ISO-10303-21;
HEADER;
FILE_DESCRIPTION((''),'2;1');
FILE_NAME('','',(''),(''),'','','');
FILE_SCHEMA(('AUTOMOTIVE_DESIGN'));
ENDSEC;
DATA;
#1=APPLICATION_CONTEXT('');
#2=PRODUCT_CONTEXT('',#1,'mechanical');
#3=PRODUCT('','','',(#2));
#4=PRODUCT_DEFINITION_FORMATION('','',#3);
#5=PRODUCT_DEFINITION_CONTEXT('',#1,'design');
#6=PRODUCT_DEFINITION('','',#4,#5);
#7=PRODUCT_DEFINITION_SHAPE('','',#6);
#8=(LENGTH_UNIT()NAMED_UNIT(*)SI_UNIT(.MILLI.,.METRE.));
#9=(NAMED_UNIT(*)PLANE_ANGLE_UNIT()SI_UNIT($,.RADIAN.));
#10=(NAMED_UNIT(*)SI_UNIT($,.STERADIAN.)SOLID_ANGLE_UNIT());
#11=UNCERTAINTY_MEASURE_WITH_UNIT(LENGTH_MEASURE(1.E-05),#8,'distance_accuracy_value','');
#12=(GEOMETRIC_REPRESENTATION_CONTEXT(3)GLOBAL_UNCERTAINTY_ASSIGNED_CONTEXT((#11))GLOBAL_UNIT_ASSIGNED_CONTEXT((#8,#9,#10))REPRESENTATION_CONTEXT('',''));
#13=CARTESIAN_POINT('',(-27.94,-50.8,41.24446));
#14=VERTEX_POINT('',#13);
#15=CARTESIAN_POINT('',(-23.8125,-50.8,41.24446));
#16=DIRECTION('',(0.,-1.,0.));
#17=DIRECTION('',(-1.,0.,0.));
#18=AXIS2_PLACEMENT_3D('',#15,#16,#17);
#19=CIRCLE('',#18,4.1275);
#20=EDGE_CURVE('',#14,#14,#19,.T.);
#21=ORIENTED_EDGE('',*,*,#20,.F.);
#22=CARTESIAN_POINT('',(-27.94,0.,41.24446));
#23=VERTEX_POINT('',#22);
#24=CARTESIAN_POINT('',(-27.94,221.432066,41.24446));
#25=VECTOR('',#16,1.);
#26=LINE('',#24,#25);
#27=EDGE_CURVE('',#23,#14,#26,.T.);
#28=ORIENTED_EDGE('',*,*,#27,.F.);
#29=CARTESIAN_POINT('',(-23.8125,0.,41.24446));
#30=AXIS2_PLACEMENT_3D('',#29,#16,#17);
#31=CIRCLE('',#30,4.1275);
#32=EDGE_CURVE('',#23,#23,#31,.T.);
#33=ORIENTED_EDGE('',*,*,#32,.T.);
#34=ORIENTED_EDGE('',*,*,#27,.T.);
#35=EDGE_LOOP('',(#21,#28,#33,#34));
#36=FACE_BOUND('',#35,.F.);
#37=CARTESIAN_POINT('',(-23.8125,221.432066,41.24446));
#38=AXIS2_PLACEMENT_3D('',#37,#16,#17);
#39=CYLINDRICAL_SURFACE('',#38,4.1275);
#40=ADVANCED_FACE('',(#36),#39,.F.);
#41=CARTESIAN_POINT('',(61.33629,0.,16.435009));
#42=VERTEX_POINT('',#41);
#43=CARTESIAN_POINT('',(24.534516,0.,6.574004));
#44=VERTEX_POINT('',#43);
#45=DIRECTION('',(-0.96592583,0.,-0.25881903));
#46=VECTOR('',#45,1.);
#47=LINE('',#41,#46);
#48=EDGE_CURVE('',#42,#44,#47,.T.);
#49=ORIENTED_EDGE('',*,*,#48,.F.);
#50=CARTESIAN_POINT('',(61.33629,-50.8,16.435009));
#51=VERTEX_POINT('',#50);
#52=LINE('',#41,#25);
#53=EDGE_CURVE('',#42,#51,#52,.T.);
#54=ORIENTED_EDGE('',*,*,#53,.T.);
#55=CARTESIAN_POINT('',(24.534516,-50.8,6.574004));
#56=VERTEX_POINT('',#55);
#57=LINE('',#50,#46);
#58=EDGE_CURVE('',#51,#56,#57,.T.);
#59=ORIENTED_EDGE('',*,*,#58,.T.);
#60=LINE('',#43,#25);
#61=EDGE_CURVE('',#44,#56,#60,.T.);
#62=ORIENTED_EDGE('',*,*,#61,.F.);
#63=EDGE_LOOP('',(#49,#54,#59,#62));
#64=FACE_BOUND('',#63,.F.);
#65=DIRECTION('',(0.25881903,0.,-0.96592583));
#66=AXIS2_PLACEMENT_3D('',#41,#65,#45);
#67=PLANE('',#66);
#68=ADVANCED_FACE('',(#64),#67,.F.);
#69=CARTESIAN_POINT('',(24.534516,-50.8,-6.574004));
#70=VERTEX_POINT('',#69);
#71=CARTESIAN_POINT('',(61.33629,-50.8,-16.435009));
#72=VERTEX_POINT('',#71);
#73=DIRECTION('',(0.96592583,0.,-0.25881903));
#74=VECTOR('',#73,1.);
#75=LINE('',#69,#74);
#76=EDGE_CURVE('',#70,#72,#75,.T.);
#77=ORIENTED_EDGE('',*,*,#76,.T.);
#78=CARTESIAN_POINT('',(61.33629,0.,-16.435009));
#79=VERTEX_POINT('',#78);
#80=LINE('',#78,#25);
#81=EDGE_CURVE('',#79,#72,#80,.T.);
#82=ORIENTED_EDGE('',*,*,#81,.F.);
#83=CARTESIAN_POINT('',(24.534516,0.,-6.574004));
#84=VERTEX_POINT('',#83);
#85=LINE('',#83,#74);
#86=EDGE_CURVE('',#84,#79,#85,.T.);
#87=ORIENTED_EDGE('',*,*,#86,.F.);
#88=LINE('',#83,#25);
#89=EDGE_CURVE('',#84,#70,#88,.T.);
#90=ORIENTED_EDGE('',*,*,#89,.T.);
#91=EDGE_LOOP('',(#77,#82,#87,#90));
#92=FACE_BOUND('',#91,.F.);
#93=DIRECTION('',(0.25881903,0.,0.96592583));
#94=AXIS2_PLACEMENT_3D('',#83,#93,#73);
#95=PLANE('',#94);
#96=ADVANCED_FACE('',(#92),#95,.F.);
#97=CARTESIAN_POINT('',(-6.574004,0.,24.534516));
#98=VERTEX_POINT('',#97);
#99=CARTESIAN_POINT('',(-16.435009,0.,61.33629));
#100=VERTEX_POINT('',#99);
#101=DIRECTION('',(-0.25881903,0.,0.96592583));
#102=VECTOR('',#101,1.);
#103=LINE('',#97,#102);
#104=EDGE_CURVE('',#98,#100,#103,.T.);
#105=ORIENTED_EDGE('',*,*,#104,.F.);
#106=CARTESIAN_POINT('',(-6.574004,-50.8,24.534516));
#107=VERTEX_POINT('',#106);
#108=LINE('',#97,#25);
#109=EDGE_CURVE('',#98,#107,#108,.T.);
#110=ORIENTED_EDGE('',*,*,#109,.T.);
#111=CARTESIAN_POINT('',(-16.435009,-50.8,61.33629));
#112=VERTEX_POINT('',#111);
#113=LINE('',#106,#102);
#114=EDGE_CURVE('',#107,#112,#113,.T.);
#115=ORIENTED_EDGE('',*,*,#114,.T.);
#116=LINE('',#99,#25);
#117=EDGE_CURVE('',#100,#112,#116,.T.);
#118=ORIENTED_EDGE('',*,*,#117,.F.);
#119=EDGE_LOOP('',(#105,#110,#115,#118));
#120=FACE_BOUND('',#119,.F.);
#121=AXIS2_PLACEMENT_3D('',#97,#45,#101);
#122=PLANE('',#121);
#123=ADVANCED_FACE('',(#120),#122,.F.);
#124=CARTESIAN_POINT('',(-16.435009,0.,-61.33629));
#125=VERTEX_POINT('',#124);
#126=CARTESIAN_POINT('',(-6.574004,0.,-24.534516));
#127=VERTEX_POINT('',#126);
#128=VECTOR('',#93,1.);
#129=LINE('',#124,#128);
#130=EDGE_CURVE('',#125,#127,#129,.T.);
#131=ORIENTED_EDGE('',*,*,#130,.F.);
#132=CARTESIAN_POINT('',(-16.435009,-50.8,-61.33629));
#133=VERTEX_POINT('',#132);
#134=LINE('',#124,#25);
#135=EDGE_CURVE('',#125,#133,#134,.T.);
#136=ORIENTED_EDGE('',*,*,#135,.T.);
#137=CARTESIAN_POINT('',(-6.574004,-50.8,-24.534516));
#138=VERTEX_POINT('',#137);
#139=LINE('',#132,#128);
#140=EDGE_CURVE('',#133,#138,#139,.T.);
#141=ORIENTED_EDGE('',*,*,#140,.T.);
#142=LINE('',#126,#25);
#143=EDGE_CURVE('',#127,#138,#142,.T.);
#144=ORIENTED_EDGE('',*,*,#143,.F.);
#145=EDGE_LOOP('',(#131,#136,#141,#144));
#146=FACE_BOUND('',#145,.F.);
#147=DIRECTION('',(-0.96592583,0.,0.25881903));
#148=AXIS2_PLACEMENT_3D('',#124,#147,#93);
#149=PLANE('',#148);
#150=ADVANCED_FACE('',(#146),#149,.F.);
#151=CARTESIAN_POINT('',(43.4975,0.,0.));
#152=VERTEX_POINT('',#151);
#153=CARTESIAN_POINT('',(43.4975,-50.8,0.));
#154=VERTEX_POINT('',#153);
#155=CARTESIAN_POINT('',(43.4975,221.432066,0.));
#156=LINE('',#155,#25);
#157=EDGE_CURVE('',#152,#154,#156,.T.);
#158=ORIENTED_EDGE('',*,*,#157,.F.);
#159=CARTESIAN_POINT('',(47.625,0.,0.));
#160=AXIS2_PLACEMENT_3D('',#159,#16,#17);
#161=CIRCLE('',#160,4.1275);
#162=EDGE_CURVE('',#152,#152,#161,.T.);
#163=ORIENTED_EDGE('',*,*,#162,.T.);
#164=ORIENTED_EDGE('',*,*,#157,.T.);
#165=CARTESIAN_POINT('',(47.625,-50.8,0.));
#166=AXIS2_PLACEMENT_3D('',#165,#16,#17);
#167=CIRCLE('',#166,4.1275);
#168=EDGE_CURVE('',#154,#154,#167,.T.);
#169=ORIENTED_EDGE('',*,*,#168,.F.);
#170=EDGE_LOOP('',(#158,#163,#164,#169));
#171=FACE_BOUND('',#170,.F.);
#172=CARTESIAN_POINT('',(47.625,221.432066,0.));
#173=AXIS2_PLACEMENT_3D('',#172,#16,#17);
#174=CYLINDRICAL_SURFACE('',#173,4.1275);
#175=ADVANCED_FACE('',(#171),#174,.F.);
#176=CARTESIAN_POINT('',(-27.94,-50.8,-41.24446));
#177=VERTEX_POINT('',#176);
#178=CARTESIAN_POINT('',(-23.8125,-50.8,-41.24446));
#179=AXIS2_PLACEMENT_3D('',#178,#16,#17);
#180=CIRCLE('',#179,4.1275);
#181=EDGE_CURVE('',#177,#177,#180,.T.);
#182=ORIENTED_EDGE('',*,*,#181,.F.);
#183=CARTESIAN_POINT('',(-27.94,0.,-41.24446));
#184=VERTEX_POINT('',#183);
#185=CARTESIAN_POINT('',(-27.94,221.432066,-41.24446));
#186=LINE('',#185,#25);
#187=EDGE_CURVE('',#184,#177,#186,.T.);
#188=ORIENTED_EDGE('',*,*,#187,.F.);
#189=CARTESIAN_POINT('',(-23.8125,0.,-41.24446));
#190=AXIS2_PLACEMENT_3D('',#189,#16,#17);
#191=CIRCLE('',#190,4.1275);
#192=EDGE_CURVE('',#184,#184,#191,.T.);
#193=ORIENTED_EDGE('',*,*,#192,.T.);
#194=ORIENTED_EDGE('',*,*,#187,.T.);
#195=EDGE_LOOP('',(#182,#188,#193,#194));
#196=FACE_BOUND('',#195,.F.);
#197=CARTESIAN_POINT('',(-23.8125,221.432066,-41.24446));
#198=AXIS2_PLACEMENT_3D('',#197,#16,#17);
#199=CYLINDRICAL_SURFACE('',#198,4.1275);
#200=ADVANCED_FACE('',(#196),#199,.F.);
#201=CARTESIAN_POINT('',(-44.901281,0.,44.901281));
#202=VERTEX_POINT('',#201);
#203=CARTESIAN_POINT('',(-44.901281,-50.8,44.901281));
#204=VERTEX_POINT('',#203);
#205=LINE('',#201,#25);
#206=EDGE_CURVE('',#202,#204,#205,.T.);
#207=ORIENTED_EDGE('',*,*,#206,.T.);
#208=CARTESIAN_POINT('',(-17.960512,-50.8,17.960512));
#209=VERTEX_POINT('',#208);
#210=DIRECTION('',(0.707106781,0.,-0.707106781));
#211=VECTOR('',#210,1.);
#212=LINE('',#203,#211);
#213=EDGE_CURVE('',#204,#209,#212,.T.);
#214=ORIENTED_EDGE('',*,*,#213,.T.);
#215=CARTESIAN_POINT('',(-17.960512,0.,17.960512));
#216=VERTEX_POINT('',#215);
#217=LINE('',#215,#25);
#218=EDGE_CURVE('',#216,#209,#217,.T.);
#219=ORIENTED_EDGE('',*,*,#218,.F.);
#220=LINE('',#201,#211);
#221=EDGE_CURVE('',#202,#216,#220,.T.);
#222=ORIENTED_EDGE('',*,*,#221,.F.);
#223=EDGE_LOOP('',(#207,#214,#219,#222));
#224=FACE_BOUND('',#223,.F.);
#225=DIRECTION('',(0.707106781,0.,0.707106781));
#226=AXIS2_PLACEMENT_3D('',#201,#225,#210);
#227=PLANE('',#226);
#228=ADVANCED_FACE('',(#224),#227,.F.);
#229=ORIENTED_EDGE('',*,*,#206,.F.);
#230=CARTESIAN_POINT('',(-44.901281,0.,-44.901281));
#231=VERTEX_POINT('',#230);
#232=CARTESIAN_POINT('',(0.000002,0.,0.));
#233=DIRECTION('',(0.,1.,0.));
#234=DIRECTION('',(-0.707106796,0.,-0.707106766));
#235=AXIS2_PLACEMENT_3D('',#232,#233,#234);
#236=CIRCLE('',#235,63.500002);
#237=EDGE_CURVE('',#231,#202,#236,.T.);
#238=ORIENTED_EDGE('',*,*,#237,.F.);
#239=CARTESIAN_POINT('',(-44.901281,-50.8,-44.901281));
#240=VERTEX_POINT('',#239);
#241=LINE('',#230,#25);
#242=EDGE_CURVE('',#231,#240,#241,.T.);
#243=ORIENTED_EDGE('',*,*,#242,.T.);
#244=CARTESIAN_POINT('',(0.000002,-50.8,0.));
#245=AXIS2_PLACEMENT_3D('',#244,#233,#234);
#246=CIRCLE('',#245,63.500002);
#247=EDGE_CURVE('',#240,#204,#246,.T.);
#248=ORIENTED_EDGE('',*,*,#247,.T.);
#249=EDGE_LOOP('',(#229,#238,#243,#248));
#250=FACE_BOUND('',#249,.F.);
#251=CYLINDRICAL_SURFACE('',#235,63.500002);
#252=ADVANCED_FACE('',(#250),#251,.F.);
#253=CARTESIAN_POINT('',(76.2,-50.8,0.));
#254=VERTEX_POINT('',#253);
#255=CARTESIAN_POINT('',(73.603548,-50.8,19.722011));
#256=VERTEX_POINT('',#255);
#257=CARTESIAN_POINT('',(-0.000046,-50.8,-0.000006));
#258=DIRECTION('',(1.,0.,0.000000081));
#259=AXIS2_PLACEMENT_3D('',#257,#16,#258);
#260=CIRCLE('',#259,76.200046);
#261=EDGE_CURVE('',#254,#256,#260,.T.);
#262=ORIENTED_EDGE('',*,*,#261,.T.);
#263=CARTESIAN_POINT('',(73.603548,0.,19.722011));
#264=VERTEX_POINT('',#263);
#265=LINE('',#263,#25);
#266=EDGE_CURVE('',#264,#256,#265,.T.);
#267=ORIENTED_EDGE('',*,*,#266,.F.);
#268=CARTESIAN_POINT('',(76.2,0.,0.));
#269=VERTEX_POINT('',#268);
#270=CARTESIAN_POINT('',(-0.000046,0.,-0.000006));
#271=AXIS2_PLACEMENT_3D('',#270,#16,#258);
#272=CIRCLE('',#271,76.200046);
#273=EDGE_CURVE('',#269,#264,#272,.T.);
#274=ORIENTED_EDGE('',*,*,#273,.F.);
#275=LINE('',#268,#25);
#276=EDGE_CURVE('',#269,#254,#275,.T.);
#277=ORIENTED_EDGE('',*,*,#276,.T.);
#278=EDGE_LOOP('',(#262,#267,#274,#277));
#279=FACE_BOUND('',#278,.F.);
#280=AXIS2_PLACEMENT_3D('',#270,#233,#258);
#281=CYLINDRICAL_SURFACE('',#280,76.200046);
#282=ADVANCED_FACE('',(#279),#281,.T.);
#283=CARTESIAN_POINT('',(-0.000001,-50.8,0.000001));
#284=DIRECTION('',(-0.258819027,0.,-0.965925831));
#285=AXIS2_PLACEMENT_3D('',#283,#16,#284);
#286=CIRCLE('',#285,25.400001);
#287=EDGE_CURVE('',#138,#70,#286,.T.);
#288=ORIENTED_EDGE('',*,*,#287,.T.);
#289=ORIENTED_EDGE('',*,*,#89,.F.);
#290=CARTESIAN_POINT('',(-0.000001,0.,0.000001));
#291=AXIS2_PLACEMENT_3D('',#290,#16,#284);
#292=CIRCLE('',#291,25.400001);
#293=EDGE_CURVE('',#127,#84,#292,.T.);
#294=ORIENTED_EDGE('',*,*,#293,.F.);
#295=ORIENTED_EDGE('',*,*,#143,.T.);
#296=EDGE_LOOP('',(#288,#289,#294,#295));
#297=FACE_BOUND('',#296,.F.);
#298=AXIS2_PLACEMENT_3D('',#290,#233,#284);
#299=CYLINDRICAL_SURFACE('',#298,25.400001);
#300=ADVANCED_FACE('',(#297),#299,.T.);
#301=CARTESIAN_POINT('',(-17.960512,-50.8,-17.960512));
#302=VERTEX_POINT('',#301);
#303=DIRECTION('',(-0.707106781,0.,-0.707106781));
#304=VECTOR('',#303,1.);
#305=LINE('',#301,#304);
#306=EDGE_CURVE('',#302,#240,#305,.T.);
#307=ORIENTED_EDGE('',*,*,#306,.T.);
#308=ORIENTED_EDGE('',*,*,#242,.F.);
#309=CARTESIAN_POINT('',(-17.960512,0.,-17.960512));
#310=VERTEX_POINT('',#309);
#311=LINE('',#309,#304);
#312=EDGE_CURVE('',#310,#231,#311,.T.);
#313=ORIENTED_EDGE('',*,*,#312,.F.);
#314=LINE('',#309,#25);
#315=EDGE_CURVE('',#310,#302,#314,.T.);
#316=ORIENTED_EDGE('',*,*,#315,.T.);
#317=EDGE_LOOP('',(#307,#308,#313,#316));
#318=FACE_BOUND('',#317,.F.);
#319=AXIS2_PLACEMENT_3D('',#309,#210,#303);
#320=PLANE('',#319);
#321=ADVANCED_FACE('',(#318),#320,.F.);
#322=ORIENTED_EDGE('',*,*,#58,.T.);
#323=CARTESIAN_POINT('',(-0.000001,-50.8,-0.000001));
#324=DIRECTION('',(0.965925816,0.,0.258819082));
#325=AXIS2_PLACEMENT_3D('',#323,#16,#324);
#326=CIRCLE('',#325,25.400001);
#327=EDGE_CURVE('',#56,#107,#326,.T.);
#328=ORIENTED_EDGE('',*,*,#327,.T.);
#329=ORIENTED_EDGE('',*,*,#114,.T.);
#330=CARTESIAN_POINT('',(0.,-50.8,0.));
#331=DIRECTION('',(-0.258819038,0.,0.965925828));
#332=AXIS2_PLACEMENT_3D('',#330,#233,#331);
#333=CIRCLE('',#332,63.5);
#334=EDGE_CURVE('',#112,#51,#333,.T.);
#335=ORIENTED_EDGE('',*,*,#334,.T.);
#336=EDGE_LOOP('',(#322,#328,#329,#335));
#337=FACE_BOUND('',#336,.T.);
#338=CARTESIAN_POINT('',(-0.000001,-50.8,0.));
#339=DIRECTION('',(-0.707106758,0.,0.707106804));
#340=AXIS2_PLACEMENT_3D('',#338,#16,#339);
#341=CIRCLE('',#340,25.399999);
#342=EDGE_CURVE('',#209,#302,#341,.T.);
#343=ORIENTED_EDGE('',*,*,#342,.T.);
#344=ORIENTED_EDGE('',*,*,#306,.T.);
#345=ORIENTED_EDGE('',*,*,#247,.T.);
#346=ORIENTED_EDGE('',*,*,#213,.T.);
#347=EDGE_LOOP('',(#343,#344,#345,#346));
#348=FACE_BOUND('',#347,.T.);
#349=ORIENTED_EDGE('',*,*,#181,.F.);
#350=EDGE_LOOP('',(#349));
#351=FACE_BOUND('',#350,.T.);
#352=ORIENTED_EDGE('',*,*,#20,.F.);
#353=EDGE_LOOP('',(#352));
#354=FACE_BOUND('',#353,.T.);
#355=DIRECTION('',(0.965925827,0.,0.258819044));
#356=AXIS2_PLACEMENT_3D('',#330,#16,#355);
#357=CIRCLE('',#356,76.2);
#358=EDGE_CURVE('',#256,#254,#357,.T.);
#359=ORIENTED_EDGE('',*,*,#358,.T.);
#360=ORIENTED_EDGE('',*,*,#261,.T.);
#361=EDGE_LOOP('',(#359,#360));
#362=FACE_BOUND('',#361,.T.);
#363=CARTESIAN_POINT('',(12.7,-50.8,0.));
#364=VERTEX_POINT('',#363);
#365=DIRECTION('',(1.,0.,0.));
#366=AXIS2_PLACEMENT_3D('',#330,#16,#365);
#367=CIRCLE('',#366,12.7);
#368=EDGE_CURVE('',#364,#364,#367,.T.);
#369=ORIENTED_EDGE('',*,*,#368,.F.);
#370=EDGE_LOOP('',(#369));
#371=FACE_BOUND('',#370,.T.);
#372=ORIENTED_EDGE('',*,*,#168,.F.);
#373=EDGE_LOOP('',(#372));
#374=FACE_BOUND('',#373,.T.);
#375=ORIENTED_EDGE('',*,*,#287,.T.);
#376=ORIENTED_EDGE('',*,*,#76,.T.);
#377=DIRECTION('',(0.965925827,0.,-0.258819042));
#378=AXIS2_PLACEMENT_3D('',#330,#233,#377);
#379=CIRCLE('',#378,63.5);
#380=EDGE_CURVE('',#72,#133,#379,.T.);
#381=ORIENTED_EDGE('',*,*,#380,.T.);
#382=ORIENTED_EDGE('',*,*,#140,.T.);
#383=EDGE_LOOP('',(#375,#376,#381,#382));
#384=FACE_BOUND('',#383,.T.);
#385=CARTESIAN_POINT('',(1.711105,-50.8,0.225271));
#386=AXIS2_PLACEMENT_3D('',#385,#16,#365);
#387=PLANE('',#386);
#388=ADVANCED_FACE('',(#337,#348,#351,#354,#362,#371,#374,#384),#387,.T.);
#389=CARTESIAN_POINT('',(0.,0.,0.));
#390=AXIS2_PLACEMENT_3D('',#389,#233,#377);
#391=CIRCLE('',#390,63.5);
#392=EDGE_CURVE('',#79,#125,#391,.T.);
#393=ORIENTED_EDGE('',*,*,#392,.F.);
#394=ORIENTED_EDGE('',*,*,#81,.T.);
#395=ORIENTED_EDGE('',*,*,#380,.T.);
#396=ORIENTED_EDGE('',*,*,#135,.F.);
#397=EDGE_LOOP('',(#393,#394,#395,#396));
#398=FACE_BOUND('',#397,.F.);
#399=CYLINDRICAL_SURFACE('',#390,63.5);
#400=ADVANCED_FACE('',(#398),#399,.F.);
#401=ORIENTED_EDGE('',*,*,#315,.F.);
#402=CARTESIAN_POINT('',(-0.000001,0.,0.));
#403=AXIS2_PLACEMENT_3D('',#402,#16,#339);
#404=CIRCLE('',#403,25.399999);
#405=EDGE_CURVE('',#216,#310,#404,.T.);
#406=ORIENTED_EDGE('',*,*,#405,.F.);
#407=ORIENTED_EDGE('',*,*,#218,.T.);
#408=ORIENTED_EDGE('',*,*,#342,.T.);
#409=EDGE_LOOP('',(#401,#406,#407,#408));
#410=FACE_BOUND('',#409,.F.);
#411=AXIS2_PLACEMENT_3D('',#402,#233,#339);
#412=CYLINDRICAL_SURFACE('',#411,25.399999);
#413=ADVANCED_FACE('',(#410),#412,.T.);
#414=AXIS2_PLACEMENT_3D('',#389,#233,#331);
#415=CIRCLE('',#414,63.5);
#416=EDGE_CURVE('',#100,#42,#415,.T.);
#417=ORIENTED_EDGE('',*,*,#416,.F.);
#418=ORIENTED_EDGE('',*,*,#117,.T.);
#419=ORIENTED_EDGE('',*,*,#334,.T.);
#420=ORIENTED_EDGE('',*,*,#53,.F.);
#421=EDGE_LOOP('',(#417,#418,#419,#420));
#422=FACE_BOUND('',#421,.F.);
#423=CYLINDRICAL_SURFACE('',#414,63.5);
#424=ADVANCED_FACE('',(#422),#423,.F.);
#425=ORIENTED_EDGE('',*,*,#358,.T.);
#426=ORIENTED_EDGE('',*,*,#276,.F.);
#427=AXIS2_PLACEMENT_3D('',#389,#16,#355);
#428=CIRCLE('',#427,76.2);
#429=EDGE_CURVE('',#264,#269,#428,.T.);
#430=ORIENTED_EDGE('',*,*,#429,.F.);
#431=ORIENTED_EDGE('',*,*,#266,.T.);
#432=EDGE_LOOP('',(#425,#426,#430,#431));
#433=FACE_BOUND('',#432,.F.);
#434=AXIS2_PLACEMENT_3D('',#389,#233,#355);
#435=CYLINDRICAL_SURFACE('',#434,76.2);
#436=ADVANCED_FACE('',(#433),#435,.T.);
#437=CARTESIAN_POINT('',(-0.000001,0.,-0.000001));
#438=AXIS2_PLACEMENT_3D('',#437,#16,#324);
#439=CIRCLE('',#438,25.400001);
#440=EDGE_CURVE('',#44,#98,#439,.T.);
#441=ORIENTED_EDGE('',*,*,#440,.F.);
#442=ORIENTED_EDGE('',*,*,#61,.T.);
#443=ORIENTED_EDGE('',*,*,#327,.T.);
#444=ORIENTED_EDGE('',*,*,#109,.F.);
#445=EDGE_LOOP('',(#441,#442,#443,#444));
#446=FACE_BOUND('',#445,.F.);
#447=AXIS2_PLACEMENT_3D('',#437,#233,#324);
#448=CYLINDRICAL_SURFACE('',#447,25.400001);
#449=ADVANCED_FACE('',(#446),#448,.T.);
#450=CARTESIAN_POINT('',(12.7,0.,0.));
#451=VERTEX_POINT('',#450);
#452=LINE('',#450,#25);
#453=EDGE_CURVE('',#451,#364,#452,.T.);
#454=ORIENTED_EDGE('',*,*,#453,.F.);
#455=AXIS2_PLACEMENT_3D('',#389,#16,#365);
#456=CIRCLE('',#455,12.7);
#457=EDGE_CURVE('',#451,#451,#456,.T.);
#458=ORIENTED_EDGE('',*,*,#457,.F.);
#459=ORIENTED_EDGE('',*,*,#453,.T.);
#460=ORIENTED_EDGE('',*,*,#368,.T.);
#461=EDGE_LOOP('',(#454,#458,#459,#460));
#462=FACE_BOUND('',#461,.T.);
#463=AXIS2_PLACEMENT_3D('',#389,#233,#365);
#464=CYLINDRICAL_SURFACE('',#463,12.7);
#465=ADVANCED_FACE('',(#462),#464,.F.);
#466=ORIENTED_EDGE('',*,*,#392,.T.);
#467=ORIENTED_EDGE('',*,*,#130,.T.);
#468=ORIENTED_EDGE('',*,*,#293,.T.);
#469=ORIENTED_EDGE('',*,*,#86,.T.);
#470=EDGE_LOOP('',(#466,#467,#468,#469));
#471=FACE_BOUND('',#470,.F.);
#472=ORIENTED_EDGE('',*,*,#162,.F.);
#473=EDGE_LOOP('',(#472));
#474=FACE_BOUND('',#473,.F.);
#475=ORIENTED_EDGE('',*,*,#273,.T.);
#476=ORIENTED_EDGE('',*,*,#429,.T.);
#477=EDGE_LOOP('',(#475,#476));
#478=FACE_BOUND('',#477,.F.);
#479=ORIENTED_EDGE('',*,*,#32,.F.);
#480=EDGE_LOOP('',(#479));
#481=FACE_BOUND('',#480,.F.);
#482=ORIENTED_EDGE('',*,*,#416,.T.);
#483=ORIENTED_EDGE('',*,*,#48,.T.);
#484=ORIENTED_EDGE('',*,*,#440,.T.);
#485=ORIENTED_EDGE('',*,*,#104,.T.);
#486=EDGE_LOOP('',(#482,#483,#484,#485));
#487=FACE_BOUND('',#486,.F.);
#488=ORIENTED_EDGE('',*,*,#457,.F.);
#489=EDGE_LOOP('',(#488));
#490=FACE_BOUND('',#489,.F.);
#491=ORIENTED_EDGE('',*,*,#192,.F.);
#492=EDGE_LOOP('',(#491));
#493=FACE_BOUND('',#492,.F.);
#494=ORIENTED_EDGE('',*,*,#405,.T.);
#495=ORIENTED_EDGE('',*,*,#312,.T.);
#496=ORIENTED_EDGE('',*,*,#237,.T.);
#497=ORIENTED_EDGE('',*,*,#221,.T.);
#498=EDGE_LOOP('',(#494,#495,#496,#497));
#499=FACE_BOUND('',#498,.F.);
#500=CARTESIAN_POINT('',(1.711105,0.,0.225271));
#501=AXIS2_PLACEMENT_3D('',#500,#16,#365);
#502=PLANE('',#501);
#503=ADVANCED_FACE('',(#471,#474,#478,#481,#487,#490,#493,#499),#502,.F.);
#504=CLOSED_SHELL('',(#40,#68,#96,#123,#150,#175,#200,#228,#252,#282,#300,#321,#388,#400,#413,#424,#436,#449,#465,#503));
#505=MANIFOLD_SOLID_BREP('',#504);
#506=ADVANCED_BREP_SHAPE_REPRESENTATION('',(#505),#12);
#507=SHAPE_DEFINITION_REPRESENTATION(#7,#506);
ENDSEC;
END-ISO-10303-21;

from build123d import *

# Parameters (mm, degrees)
F0_R     = 12.7
F1_DEPTH = 50.8
F2_D     = 8.255


with BuildPart() as f1:
    # F0 (on Front) → F1 (new body)
    with BuildSketch(Plane.XZ):
        with BuildLine():
            ThreePointArc((73.603548, 19.722011), (-75.548098, -9.946096), (76.2, 0))
            ThreePointArc((76.2, 0), (75.548098, 9.946096), (73.603548, 19.722011))
        make_face()
        with BuildLine():
            Line((24.534516, -6.574004), (61.33629, -16.435009))
            ThreePointArc((61.33629, -16.435009), (31.75, -54.992613), (-16.435009, -61.33629))
            Line((-16.435009, -61.33629), (-6.574004, -24.534516))
            ThreePointArc((-6.574004, -24.534516), (12.7, -21.997045), (24.534516, -6.574004))
        make_face(mode=Mode.SUBTRACT)
        with BuildLine():
            ThreePointArc((-44.901281, -44.901281), (-63.5, 0), (-44.901281, 44.901281))
            Line((-44.901281, 44.901281), (-17.960512, 17.960512))
            ThreePointArc((-17.960512, 17.960512), (-25.4, 0), (-17.960512, -17.960512))
            Line((-17.960512, -17.960512), (-44.901281, -44.901281))
        make_face(mode=Mode.SUBTRACT)
        Circle(F0_R, mode=Mode.SUBTRACT)
        with BuildLine():
            ThreePointArc((-16.435009, 61.33629), (31.75, 54.992613), (61.33629, 16.435009))
            Line((61.33629, 16.435009), (24.534516, 6.574004))
            ThreePointArc((24.534516, 6.574004), (12.7, 21.997045), (-6.574004, 24.534516))
            Line((-6.574004, 24.534516), (-16.435009, 61.33629))
        make_face(mode=Mode.SUBTRACT)
    extrude(amount=F1_DEPTH)

    # F2 (through all)
    with Locations(Plane(origin=(0, 0, 0), x_dir=(1, 0, 0), z_dir=(0, 1, 0))):
        with Locations((47.625, 0), (-23.8125, -41.24446), (-23.8125, 41.24446)):
            Hole(F2_D / 2)


solid = f1.part
